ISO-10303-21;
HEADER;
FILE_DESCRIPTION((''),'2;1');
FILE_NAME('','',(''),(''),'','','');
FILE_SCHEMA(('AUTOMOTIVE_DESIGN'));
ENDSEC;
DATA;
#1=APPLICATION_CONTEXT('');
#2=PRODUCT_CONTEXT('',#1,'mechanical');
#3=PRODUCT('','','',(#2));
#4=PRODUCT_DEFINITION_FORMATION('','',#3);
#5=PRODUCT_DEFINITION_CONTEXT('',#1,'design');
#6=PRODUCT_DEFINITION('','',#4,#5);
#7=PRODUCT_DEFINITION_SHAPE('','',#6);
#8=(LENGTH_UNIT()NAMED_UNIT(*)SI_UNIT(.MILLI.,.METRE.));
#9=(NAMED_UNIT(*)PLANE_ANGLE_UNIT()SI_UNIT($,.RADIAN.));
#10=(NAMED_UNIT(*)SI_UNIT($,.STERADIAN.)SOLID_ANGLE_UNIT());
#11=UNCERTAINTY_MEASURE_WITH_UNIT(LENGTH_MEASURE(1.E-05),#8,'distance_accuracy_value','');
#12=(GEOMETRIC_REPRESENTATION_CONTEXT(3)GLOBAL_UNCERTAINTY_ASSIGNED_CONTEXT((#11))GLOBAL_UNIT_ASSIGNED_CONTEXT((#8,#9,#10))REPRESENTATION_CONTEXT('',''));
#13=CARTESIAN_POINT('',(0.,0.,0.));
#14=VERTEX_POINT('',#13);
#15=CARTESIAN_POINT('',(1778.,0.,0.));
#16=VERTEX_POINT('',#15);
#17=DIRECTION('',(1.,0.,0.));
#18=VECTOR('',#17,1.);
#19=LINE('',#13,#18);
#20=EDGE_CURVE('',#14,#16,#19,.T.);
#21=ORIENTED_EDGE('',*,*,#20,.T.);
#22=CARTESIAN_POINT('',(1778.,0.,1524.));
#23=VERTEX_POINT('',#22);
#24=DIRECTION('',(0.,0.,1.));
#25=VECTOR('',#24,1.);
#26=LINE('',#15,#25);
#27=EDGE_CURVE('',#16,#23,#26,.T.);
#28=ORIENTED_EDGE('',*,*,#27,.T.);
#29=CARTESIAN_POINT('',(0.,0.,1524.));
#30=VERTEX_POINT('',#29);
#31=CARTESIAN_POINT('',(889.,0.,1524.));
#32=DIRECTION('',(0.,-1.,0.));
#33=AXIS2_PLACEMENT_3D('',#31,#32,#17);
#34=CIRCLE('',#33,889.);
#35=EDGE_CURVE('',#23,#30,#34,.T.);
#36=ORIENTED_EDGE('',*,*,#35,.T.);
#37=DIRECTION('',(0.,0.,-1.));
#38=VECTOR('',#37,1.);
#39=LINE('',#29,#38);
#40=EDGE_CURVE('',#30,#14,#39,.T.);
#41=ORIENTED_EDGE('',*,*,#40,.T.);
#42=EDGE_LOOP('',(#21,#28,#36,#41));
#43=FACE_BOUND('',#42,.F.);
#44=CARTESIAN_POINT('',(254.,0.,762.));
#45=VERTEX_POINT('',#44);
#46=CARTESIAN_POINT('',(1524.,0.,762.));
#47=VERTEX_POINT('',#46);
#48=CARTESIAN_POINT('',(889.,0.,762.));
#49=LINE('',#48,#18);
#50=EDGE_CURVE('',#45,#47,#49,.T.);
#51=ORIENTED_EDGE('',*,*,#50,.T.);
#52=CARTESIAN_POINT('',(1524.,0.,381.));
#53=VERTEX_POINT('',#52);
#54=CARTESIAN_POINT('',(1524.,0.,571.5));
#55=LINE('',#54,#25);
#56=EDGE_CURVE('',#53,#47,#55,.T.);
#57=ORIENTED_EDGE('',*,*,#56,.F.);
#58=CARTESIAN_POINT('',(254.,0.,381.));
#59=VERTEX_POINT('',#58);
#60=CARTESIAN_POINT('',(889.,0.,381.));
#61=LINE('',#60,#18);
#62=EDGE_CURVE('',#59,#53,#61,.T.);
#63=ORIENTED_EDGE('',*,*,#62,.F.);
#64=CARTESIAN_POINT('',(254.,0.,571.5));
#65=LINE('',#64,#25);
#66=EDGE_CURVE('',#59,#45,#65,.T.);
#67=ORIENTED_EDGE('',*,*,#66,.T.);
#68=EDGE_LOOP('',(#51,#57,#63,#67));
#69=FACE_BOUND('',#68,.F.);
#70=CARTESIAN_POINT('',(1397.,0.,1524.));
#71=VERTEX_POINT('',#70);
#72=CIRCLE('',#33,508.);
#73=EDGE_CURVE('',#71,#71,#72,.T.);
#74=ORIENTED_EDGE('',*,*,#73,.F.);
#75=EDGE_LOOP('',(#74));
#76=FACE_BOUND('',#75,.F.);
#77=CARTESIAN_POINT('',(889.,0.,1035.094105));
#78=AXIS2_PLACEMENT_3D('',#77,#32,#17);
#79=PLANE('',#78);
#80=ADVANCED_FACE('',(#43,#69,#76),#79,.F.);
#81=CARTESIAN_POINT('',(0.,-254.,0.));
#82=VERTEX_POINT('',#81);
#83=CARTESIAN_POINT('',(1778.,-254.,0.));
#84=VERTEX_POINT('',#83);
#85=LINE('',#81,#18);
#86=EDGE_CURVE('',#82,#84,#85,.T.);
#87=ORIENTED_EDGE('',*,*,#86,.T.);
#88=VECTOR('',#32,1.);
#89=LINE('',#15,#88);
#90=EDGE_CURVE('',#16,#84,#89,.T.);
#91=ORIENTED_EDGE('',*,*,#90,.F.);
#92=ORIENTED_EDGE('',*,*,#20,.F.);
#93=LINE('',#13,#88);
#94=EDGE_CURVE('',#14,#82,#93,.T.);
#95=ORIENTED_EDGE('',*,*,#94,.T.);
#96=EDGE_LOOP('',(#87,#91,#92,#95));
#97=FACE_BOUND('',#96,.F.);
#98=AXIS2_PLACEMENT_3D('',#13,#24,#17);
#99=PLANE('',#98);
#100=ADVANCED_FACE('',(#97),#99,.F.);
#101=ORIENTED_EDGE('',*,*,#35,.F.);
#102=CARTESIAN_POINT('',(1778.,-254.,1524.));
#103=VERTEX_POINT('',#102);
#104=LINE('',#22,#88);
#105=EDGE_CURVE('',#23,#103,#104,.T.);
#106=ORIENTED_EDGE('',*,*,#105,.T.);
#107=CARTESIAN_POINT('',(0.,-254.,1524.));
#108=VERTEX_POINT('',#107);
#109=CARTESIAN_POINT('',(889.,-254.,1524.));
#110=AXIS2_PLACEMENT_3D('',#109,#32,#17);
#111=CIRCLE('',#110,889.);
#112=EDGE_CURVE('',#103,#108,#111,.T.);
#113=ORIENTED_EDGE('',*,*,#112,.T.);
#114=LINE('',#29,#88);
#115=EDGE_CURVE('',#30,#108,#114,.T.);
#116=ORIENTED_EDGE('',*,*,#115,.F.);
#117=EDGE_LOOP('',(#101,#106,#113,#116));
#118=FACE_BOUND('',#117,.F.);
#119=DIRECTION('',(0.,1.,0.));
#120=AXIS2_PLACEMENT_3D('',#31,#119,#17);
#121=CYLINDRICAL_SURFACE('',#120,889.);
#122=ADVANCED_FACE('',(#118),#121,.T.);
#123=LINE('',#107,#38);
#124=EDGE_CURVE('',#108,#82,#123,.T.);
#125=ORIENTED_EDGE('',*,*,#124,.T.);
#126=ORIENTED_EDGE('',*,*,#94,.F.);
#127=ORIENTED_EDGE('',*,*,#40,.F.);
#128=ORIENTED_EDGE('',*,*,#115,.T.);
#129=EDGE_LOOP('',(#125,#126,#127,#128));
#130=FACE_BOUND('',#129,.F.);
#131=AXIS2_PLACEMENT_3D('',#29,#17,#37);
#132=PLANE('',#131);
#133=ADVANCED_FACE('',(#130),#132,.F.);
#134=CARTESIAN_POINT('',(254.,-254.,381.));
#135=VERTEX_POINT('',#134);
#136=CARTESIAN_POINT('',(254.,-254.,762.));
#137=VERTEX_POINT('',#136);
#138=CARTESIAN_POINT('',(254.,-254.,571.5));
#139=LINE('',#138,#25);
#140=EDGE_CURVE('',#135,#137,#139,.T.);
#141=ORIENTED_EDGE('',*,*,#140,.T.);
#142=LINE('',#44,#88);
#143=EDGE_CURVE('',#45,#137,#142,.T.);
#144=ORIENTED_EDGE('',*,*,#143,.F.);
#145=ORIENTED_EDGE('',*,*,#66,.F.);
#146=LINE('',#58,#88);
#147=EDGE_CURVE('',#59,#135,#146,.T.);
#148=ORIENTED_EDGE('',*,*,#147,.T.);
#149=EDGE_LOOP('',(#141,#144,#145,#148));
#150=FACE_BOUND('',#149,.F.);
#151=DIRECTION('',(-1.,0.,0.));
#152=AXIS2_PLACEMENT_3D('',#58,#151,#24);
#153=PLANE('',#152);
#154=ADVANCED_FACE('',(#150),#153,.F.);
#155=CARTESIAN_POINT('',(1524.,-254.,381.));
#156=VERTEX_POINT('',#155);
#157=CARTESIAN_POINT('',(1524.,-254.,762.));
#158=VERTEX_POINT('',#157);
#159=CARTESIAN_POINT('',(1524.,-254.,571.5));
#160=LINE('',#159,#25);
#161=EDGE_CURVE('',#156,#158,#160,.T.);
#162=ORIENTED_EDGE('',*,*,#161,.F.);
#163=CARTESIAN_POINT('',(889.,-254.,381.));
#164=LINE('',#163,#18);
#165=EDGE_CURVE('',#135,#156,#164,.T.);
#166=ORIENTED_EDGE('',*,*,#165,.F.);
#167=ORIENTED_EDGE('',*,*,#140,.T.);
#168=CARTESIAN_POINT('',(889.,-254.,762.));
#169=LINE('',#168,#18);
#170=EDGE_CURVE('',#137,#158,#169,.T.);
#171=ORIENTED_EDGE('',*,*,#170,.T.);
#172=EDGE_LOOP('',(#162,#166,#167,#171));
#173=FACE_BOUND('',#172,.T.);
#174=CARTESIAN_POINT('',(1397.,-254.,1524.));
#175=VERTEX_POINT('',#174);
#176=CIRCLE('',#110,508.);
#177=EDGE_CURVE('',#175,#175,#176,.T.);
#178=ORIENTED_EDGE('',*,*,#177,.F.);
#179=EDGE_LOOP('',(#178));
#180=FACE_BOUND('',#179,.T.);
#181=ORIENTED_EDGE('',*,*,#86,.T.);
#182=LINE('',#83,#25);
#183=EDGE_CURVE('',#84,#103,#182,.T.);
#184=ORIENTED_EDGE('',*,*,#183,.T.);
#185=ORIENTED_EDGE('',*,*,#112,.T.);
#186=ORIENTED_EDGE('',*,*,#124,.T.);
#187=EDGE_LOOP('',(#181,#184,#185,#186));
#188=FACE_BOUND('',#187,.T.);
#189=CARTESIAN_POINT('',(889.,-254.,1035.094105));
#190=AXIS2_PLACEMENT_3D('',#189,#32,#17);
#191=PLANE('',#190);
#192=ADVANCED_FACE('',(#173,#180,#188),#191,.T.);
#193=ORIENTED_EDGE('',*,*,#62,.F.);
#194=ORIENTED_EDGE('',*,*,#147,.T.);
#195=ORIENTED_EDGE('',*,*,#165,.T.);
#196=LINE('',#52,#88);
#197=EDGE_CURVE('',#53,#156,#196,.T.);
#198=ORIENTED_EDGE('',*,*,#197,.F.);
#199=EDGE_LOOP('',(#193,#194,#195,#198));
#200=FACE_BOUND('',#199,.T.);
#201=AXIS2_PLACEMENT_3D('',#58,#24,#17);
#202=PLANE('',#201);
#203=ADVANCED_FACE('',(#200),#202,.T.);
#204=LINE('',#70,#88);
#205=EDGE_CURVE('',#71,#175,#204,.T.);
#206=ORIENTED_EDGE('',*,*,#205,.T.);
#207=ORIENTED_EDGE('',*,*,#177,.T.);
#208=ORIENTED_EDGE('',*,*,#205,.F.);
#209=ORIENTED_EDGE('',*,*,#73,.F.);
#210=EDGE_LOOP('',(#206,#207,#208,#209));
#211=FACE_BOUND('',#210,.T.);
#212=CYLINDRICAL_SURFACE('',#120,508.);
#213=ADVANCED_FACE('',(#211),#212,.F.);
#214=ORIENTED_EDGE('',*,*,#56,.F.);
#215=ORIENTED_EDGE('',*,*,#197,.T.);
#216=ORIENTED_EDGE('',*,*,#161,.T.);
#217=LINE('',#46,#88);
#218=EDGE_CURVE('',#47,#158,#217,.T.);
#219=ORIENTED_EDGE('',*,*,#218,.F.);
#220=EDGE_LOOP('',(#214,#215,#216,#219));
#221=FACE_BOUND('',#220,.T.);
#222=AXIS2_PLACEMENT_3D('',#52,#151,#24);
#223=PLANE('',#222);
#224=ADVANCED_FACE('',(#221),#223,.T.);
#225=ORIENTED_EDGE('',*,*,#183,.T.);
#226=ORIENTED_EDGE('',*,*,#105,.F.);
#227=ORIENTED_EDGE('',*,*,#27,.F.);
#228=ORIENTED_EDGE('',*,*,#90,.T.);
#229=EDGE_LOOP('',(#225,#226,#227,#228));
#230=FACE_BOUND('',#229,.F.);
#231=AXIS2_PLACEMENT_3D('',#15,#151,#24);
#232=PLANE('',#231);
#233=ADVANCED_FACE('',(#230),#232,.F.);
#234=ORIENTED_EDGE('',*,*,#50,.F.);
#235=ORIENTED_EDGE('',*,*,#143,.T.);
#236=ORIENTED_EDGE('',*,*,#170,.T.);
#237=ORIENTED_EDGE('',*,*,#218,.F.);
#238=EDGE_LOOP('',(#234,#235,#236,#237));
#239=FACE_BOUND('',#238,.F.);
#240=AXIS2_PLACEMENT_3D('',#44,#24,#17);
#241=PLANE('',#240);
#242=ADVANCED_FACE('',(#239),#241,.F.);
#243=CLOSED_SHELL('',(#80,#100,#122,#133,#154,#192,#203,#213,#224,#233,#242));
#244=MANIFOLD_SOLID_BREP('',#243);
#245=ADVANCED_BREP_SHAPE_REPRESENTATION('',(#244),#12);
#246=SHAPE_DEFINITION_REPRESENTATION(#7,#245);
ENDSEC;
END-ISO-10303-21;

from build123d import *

# Parameters (mm, degrees)
F0_W     = 1270
F0_H     = 381
F0_R     = 508
F1_DEPTH = 254


with BuildPart() as f1:
    # F0 (on Front) → F1 (new body)
    with BuildSketch(Plane.XZ):
        with BuildLine():
            Line((0, 1524), (0, 0))
            Line((0, 0), (1778, 0))
            Line((1778, 0), (1778, 1524))
            ThreePointArc((1778, 1524), (889, 2413), (0, 1524))
        make_face()
        with Locations((889, 571.5)):
            Rectangle(F0_W, F0_H, mode=Mode.SUBTRACT)
        with Locations((889, 1524)):
            Circle(F0_R, mode=Mode.SUBTRACT)
    extrude(amount=F1_DEPTH)


solid = f1.part
